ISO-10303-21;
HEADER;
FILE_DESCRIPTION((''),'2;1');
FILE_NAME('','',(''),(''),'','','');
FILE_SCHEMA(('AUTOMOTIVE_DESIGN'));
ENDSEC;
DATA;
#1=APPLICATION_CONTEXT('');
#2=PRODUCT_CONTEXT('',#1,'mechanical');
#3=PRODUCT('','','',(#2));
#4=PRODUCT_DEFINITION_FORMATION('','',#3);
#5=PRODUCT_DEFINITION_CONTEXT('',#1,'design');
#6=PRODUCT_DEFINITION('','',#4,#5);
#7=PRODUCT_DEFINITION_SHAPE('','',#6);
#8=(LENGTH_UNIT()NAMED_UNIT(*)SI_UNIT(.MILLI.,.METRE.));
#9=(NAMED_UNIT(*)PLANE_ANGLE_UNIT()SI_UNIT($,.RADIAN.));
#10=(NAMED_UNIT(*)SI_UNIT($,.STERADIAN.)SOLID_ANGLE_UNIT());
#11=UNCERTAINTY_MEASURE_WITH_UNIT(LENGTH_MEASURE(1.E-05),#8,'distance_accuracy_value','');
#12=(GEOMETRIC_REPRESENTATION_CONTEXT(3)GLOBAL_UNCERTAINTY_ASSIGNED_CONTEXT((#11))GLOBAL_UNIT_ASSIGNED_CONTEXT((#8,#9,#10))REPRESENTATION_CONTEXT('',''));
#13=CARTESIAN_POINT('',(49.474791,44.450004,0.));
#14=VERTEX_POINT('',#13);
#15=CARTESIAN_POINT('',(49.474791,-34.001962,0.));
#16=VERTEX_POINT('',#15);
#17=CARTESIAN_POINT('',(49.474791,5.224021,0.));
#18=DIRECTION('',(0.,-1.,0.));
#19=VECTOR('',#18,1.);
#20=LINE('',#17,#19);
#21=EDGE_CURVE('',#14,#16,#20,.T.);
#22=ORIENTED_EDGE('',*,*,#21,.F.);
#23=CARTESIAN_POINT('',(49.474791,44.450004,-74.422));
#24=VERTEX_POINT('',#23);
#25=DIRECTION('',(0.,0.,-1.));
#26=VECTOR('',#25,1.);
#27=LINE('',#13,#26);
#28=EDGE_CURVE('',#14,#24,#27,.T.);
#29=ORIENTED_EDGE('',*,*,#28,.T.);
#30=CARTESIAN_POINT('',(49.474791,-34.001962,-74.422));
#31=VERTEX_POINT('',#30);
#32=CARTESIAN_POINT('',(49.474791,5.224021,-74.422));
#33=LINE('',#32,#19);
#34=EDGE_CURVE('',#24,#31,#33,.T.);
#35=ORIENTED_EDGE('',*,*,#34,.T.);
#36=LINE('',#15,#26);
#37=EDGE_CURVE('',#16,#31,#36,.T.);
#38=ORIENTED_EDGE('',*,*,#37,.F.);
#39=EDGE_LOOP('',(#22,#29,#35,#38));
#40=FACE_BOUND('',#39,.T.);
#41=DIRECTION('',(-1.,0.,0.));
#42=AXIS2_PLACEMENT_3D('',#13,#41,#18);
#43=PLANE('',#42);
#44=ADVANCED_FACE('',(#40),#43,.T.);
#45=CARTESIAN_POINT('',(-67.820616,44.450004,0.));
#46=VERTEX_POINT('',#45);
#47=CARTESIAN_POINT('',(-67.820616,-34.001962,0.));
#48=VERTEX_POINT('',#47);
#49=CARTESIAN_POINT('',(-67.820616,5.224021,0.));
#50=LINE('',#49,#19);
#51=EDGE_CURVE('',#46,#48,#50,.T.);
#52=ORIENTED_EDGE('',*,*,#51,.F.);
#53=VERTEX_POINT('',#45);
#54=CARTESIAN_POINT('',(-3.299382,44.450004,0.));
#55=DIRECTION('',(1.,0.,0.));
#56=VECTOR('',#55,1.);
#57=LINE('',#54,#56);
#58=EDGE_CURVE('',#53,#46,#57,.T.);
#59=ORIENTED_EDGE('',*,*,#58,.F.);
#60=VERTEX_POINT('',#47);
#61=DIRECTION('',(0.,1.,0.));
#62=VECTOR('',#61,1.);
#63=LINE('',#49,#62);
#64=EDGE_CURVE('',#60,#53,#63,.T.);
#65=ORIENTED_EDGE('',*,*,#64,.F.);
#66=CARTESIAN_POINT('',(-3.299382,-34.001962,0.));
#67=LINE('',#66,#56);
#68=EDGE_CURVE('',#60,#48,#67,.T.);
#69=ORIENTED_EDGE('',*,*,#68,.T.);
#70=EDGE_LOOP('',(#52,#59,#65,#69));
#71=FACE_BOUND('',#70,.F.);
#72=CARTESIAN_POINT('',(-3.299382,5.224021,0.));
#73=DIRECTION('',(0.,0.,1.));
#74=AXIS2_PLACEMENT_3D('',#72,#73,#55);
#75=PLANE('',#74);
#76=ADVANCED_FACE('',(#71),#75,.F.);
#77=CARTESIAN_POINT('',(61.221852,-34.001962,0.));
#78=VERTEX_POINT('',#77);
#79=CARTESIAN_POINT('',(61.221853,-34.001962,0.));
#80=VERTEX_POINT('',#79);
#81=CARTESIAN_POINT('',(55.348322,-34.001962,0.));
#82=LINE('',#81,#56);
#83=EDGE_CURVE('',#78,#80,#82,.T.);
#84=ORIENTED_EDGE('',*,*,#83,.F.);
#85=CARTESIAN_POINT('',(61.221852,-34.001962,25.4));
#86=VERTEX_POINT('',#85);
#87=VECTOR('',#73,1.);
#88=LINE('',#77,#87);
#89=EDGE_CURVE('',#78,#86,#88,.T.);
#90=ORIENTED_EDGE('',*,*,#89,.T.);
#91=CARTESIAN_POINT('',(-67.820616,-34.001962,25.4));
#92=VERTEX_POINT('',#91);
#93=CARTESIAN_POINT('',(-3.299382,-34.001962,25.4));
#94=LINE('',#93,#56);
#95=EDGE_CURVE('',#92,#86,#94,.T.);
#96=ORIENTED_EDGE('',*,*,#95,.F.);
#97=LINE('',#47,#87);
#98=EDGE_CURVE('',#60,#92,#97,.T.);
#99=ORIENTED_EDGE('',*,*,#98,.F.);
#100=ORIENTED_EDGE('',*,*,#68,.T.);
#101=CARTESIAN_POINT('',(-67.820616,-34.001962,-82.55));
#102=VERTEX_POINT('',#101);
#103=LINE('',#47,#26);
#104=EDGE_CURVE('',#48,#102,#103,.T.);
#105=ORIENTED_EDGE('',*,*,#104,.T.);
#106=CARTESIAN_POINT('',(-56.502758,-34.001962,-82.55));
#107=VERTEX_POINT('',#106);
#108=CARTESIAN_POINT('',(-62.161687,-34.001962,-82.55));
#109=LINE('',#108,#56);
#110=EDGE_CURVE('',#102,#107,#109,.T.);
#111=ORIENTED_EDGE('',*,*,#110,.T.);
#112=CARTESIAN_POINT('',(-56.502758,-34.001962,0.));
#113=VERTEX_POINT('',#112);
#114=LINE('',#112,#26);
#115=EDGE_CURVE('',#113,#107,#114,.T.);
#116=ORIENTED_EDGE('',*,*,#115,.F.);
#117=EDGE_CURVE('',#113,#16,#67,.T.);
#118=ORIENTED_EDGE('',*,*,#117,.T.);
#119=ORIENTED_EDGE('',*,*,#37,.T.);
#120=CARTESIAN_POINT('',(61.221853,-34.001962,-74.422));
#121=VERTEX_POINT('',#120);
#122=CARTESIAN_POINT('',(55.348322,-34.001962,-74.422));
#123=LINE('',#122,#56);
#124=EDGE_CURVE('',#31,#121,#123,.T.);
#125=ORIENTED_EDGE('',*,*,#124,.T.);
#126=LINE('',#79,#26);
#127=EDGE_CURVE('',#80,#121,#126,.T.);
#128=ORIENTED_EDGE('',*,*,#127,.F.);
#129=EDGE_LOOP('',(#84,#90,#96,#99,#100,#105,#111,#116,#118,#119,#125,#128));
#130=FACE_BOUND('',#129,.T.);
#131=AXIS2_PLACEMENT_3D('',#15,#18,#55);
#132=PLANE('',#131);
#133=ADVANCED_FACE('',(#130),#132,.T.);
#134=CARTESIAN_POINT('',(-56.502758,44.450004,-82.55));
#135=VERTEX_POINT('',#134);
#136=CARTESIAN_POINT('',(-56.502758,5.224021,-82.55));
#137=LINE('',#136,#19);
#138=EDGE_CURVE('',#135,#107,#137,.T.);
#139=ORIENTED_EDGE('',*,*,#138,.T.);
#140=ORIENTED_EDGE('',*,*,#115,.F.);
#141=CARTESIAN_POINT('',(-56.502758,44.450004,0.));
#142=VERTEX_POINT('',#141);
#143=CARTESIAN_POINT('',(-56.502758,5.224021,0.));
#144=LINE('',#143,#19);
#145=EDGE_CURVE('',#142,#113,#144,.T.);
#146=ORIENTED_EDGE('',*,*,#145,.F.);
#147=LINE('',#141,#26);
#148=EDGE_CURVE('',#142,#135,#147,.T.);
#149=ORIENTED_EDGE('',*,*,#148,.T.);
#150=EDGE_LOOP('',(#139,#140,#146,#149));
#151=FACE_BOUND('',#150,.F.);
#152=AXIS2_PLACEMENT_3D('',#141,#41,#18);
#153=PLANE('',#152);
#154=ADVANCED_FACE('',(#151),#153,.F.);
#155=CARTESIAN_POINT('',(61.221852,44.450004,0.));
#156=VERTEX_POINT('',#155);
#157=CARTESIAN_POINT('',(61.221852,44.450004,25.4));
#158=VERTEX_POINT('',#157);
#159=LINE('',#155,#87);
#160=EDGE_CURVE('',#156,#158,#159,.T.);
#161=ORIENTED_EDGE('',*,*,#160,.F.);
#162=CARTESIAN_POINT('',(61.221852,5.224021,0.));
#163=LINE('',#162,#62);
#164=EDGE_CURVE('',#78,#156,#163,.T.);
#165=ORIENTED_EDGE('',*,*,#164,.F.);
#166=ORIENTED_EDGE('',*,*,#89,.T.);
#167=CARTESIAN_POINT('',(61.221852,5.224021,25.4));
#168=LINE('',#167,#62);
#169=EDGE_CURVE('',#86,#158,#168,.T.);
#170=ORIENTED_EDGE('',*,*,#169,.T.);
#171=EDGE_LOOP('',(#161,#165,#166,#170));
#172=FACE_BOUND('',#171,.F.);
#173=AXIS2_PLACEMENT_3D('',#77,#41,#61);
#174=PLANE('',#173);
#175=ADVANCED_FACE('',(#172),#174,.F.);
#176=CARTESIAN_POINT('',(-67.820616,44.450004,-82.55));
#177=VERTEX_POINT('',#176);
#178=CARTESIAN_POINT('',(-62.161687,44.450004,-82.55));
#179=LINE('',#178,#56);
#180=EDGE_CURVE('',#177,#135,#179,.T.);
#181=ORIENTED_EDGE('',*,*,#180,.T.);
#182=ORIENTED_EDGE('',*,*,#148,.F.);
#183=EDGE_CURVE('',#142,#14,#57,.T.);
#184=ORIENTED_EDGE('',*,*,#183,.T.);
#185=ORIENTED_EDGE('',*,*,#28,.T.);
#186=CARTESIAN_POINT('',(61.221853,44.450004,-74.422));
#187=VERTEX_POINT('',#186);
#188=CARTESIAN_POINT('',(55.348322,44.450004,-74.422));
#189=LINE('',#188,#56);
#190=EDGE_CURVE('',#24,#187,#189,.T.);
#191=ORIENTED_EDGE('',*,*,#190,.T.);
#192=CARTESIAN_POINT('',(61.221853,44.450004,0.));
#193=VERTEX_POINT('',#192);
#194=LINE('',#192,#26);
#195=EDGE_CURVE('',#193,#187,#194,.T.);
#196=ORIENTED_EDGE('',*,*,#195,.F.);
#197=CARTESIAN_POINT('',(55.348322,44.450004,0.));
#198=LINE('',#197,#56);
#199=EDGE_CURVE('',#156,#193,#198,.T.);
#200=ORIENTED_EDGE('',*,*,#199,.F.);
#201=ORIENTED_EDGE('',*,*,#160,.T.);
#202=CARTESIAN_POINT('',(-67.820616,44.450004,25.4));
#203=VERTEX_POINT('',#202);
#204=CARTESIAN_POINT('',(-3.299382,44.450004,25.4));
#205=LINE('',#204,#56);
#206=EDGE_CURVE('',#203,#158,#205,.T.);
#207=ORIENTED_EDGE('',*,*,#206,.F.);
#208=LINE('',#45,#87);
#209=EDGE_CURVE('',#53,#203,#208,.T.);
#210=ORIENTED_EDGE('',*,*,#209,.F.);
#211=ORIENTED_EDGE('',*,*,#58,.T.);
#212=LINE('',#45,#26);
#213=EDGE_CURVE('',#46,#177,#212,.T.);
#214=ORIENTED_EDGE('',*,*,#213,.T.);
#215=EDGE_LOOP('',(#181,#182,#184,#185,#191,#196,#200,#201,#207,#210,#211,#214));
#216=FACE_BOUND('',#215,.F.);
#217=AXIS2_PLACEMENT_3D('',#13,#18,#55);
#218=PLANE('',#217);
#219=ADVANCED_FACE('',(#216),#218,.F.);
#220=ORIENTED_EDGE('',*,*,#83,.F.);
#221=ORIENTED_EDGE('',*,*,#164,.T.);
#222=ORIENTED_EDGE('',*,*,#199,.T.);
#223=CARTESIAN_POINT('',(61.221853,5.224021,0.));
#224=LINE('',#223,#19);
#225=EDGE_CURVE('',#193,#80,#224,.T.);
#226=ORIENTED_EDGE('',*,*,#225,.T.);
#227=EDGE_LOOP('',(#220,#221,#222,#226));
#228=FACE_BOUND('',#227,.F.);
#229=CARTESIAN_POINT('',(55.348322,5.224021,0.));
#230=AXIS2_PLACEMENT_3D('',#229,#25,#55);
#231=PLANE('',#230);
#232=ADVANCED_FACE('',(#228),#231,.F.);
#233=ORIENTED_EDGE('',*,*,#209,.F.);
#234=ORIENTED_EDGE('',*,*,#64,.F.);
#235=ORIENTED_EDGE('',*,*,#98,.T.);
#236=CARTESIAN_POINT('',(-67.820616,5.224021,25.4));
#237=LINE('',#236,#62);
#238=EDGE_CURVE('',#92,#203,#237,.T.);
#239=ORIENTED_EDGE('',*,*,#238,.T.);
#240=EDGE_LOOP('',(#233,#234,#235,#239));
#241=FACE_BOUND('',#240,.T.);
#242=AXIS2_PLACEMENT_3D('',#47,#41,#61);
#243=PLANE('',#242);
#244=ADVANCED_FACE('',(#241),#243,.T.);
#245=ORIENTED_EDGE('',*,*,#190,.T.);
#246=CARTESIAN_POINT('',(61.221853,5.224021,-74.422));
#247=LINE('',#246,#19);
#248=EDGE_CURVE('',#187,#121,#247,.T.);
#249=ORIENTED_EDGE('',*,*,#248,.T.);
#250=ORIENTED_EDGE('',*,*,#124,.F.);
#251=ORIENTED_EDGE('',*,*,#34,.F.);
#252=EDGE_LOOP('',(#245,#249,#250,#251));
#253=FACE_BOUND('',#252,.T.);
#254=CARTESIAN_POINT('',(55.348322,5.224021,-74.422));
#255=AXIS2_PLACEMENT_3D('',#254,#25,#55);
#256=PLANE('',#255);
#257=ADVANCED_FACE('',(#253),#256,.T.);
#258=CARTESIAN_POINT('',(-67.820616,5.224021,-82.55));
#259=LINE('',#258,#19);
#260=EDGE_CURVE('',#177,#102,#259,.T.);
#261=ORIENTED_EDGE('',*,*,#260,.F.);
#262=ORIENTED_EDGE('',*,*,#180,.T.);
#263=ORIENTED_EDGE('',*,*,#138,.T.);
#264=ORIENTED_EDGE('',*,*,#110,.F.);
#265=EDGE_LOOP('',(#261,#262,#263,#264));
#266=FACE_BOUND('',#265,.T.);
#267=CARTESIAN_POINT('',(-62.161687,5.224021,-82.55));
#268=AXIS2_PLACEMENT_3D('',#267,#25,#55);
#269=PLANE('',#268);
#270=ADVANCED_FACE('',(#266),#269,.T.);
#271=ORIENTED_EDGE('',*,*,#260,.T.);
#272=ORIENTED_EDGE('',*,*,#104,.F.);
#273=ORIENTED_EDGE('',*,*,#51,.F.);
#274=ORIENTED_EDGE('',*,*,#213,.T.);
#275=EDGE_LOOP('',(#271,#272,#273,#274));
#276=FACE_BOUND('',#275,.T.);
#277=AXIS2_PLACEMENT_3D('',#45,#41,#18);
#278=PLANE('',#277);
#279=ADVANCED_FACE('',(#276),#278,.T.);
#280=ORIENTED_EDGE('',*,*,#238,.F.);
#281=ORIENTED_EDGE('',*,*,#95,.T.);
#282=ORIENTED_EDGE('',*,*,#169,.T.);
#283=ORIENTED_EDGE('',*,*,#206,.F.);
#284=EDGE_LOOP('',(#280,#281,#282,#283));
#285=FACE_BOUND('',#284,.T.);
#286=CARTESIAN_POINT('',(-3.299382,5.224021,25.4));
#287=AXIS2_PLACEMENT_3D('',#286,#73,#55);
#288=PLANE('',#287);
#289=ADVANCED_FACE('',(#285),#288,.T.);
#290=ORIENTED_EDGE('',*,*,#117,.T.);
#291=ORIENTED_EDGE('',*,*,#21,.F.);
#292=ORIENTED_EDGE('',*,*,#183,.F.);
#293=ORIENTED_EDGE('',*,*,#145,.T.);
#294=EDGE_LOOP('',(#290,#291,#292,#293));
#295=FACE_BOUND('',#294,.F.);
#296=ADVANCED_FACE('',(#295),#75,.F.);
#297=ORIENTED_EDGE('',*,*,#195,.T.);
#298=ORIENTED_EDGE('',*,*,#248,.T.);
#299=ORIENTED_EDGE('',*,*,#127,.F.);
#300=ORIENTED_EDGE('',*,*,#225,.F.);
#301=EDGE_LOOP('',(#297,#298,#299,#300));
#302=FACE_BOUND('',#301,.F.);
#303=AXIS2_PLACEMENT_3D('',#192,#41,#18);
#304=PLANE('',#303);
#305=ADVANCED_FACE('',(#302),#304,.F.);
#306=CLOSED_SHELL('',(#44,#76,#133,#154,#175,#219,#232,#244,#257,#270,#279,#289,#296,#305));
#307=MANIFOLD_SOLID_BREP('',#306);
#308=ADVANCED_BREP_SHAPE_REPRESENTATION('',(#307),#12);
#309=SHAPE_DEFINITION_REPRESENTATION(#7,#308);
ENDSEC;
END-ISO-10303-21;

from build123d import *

# Parameters (mm, degrees)
F0_W     = 129.042469
F0_H     = 78.451965
F1_DEPTH = 25.4
F2_W     = 11.317857
F2_H     = 78.451965
F3_DEPTH = 82.55
F4_W     = 11.747062
F4_H     = 78.451965
F5_DEPTH = 74.422


with BuildPart() as f1:
    # F0 (on Top) → F1 (new body)
    with BuildSketch(Plane.XY):
        with Locations((-3.299382, 5.224021)):
            Rectangle(F0_W, F0_H)
    extrude(amount=F1_DEPTH)

    # F2 (on face) → F3 (join)
    with BuildSketch(Plane(origin=(0, 0, 0), x_dir=(1, 0, 0), z_dir=(0, 0, -1))):
        with Locations((-62.161687, -5.224021)):
            Rectangle(F2_W, F2_H)
    extrude(amount=F3_DEPTH)

    # F4 (on face) → F5 (join)
    with BuildSketch(Plane(origin=(0, 0, 0), x_dir=(1, 0, 0), z_dir=(0, 0, -1))):
        with Locations((55.348322, -5.224021)):
            Rectangle(F4_W, F4_H)
    extrude(amount=F5_DEPTH)


solid = f1.part
